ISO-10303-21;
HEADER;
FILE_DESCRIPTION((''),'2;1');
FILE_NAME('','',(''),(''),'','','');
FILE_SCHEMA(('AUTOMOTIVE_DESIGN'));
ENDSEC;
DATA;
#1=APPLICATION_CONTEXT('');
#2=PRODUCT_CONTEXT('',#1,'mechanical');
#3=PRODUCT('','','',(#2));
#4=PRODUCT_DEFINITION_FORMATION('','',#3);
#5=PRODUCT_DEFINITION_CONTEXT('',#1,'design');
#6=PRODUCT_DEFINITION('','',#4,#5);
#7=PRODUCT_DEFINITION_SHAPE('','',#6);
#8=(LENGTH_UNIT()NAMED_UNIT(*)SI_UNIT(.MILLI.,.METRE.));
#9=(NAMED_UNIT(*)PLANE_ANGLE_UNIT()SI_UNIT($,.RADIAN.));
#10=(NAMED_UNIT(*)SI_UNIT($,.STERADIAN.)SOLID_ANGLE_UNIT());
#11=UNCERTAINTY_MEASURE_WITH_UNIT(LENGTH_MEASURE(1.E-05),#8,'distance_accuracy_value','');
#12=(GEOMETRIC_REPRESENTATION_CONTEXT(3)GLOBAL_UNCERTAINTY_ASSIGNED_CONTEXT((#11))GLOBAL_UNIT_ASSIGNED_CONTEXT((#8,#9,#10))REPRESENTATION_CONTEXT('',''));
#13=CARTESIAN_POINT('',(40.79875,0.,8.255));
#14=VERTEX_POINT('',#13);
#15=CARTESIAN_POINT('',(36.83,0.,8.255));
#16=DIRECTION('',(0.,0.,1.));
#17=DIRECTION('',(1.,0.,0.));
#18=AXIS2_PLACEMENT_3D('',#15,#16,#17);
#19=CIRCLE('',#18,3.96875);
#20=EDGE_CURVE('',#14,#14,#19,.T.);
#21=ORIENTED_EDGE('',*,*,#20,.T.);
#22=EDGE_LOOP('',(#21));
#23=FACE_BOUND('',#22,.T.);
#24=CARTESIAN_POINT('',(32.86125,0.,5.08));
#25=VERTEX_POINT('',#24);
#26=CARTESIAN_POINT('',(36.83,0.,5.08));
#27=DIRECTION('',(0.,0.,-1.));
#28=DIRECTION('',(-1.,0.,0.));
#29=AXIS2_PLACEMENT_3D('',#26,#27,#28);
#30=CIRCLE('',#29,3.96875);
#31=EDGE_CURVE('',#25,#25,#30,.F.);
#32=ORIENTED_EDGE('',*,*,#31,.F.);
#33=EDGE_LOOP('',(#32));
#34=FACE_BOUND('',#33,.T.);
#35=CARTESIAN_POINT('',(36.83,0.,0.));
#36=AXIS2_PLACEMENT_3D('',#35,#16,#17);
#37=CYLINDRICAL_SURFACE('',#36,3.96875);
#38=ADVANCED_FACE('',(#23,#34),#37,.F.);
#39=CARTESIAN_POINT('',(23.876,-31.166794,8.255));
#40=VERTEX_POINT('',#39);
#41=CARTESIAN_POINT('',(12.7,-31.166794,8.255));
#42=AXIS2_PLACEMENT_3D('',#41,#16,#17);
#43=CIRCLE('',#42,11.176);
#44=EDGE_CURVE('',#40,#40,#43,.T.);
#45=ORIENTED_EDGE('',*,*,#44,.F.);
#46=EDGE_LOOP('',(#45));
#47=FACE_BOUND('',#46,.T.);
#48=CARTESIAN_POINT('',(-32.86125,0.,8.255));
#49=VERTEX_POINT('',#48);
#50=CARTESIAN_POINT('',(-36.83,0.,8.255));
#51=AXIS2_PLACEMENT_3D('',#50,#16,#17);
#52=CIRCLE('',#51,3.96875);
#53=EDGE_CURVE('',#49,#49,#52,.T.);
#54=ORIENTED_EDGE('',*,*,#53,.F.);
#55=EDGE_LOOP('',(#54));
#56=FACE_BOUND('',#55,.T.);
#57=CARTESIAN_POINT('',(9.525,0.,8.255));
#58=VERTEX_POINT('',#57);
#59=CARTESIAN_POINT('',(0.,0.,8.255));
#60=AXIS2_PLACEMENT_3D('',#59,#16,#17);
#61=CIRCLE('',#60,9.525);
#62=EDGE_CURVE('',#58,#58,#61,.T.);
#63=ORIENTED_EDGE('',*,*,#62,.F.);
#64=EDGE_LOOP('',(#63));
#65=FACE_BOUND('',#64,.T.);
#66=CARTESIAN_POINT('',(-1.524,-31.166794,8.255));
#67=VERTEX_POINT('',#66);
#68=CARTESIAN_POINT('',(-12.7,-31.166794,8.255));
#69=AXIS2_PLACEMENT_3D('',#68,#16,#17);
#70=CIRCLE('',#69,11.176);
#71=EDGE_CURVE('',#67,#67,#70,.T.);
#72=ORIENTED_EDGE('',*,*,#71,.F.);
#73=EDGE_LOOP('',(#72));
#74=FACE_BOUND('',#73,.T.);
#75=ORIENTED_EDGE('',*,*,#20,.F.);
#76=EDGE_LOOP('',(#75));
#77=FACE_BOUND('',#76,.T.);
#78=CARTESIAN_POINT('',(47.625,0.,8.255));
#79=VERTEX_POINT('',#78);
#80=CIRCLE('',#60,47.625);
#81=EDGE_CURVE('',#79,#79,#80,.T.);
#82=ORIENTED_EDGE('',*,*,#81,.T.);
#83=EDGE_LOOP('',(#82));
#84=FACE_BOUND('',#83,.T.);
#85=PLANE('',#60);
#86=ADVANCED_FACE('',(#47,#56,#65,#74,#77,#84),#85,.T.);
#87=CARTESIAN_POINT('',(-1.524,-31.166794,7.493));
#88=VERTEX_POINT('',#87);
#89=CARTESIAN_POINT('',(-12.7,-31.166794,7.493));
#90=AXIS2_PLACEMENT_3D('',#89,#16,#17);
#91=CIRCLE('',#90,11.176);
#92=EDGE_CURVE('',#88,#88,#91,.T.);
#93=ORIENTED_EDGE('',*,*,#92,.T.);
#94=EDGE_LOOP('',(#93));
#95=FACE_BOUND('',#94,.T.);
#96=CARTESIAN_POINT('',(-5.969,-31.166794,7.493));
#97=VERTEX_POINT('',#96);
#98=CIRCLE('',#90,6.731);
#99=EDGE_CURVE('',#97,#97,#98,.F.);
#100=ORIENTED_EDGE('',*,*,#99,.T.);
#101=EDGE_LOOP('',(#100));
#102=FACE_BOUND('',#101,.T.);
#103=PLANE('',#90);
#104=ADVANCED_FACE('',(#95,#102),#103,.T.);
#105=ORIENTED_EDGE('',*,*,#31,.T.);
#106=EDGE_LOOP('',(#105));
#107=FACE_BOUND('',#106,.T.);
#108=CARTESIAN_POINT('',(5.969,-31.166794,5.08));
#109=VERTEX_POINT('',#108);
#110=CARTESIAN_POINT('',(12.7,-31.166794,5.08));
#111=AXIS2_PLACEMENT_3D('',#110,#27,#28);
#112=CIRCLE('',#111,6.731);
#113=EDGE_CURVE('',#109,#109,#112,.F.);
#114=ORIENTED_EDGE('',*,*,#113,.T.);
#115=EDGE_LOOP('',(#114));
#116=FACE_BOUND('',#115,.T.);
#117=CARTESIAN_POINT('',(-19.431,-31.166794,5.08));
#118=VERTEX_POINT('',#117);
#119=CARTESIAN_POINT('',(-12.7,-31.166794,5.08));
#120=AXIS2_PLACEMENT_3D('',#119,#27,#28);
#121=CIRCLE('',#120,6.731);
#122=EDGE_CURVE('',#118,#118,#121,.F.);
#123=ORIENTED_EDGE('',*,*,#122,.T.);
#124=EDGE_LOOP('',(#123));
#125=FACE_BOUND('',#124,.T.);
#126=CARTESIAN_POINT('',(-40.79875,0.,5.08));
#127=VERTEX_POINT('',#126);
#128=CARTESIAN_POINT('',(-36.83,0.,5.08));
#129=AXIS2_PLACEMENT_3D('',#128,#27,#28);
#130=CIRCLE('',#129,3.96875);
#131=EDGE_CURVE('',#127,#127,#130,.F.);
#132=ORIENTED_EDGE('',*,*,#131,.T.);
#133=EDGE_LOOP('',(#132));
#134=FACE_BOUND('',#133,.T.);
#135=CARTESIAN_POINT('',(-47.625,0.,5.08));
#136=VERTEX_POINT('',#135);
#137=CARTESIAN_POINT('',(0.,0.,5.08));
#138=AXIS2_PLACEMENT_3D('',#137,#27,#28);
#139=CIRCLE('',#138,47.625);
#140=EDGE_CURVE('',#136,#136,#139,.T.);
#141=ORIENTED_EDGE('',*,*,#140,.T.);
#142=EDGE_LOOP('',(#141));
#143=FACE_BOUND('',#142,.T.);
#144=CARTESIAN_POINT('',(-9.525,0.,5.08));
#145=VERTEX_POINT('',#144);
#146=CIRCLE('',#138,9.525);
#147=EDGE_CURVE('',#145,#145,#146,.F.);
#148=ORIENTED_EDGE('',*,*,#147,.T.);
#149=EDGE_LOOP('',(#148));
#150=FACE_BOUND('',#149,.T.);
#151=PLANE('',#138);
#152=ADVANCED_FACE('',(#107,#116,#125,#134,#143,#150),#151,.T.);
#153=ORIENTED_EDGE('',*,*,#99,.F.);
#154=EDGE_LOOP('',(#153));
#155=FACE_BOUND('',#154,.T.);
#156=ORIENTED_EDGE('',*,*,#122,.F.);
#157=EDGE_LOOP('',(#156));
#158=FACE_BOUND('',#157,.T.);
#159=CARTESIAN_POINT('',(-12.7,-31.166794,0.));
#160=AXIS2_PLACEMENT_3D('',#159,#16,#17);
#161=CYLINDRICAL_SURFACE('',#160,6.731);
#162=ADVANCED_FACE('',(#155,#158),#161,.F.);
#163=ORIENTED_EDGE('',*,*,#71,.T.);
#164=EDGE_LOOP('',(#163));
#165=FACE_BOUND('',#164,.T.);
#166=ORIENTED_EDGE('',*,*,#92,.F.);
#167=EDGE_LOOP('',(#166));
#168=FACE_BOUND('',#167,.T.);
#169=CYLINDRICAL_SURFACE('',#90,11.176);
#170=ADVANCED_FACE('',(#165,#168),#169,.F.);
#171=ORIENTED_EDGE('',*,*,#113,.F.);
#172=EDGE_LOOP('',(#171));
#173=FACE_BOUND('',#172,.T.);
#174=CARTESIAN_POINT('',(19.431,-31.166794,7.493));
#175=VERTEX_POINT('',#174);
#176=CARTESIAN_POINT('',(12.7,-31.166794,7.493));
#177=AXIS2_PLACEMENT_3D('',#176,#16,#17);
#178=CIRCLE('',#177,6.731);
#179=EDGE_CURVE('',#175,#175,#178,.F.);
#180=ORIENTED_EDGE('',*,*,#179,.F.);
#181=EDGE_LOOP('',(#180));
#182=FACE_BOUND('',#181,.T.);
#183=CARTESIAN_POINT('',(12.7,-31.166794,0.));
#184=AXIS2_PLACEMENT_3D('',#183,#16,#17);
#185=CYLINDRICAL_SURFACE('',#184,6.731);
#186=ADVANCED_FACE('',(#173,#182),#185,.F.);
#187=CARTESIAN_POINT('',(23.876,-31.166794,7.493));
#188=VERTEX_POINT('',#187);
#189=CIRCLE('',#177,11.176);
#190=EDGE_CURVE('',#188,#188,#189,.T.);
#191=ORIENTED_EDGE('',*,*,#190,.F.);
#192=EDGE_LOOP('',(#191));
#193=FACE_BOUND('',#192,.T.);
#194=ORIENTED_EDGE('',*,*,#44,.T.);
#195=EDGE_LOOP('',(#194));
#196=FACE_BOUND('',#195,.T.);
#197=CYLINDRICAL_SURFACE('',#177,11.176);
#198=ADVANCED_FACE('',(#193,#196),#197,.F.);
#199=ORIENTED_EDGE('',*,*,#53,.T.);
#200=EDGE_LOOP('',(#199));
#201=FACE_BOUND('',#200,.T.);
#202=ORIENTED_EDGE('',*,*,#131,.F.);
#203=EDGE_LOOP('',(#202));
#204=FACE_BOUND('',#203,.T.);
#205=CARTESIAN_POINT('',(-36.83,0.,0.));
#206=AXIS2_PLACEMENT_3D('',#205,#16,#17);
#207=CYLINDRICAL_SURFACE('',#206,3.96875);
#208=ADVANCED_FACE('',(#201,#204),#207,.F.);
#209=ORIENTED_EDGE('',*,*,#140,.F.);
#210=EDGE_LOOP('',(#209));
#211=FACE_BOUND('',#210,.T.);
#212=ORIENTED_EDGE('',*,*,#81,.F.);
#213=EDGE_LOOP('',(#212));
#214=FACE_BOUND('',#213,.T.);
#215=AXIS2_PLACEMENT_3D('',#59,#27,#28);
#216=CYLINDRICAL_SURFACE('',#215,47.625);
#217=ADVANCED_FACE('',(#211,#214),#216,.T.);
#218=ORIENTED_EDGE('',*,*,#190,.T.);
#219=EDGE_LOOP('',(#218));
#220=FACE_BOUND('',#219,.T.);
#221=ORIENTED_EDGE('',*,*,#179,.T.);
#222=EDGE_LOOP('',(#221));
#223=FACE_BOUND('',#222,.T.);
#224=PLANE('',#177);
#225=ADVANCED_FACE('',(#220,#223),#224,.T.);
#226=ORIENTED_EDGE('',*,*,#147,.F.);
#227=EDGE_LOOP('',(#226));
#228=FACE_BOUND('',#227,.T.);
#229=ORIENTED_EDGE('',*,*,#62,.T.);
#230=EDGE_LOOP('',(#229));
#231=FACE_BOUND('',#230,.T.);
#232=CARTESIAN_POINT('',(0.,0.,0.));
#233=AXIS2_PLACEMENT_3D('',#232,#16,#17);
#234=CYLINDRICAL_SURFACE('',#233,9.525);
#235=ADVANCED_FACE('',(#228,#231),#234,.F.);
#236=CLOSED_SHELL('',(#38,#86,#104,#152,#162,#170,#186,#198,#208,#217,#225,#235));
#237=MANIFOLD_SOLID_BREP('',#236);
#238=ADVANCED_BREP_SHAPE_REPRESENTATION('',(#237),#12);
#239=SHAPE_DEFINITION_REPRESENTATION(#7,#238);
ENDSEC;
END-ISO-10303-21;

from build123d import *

# Parameters (mm, degrees)
SKETCH1_R           = 49.5046
BOSS_EXTRUDE1_DEPTH = 5.08
SKETCH2_R           = 47.625
BOSS_EXTRUDE2_DEPTH = 3.175
SKETCH3_R           = 6.731
SKETCH3_R_2         = 3.96875
SKETCH3_R_3         = 9.525
CUT_EXTRUDE1_DEPTH  = 9.255
SKETCH7_R           = 65.421404769
CUT_EXTRUDE3_DEPTH  = 5.08
SKETCH9_R           = 11.176
CUT_EXTRUDE5_DEPTH  = 0.762


with BuildPart() as part:
    # Sketch1 → Boss-Extrude1 (new body)
    with BuildSketch(Plane.XY):
        Circle(SKETCH1_R)
    extrude(amount=BOSS_EXTRUDE1_DEPTH)

    # Sketch2 → Boss-Extrude2 (add)
    with BuildSketch(Plane.XY.offset(5.08)):
        Circle(SKETCH2_R)
    extrude(amount=BOSS_EXTRUDE2_DEPTH)

    # Sketch3 → Cut-Extrude1 (cut, through all)
    with BuildSketch(Plane.XY.offset(8.255)):
        with Locations((-12.7, -31.166793627)):
            Circle(SKETCH3_R)
        with Locations((12.7, -31.166793627)):
            Circle(SKETCH3_R)
        with Locations((-36.83, 0)):
            Circle(SKETCH3_R_2)
        with Locations((36.83, 0)):
            Circle(SKETCH3_R_2)
        Circle(SKETCH3_R_3)
    extrude(amount=-CUT_EXTRUDE1_DEPTH, mode=Mode.SUBTRACT)

    # Sketch7 → Cut-Extrude3 (cut)
    with BuildSketch(Plane(origin=(0, 0, 0), x_dir=(-1, 0, 0), z_dir=(0, 0, -1))):
        Circle(SKETCH7_R)
    extrude(amount=-CUT_EXTRUDE3_DEPTH, mode=Mode.SUBTRACT)

    # Sketch9 → Cut-Extrude5 (cut)
    with BuildSketch(Plane.XY.offset(8.255)):
        with Locations((-12.7, -31.166793627)):
            Circle(SKETCH9_R)
        with Locations((12.7, -31.166793627)):
            Circle(SKETCH9_R)
    extrude(amount=-CUT_EXTRUDE5_DEPTH, mode=Mode.SUBTRACT)


solid = part.part
